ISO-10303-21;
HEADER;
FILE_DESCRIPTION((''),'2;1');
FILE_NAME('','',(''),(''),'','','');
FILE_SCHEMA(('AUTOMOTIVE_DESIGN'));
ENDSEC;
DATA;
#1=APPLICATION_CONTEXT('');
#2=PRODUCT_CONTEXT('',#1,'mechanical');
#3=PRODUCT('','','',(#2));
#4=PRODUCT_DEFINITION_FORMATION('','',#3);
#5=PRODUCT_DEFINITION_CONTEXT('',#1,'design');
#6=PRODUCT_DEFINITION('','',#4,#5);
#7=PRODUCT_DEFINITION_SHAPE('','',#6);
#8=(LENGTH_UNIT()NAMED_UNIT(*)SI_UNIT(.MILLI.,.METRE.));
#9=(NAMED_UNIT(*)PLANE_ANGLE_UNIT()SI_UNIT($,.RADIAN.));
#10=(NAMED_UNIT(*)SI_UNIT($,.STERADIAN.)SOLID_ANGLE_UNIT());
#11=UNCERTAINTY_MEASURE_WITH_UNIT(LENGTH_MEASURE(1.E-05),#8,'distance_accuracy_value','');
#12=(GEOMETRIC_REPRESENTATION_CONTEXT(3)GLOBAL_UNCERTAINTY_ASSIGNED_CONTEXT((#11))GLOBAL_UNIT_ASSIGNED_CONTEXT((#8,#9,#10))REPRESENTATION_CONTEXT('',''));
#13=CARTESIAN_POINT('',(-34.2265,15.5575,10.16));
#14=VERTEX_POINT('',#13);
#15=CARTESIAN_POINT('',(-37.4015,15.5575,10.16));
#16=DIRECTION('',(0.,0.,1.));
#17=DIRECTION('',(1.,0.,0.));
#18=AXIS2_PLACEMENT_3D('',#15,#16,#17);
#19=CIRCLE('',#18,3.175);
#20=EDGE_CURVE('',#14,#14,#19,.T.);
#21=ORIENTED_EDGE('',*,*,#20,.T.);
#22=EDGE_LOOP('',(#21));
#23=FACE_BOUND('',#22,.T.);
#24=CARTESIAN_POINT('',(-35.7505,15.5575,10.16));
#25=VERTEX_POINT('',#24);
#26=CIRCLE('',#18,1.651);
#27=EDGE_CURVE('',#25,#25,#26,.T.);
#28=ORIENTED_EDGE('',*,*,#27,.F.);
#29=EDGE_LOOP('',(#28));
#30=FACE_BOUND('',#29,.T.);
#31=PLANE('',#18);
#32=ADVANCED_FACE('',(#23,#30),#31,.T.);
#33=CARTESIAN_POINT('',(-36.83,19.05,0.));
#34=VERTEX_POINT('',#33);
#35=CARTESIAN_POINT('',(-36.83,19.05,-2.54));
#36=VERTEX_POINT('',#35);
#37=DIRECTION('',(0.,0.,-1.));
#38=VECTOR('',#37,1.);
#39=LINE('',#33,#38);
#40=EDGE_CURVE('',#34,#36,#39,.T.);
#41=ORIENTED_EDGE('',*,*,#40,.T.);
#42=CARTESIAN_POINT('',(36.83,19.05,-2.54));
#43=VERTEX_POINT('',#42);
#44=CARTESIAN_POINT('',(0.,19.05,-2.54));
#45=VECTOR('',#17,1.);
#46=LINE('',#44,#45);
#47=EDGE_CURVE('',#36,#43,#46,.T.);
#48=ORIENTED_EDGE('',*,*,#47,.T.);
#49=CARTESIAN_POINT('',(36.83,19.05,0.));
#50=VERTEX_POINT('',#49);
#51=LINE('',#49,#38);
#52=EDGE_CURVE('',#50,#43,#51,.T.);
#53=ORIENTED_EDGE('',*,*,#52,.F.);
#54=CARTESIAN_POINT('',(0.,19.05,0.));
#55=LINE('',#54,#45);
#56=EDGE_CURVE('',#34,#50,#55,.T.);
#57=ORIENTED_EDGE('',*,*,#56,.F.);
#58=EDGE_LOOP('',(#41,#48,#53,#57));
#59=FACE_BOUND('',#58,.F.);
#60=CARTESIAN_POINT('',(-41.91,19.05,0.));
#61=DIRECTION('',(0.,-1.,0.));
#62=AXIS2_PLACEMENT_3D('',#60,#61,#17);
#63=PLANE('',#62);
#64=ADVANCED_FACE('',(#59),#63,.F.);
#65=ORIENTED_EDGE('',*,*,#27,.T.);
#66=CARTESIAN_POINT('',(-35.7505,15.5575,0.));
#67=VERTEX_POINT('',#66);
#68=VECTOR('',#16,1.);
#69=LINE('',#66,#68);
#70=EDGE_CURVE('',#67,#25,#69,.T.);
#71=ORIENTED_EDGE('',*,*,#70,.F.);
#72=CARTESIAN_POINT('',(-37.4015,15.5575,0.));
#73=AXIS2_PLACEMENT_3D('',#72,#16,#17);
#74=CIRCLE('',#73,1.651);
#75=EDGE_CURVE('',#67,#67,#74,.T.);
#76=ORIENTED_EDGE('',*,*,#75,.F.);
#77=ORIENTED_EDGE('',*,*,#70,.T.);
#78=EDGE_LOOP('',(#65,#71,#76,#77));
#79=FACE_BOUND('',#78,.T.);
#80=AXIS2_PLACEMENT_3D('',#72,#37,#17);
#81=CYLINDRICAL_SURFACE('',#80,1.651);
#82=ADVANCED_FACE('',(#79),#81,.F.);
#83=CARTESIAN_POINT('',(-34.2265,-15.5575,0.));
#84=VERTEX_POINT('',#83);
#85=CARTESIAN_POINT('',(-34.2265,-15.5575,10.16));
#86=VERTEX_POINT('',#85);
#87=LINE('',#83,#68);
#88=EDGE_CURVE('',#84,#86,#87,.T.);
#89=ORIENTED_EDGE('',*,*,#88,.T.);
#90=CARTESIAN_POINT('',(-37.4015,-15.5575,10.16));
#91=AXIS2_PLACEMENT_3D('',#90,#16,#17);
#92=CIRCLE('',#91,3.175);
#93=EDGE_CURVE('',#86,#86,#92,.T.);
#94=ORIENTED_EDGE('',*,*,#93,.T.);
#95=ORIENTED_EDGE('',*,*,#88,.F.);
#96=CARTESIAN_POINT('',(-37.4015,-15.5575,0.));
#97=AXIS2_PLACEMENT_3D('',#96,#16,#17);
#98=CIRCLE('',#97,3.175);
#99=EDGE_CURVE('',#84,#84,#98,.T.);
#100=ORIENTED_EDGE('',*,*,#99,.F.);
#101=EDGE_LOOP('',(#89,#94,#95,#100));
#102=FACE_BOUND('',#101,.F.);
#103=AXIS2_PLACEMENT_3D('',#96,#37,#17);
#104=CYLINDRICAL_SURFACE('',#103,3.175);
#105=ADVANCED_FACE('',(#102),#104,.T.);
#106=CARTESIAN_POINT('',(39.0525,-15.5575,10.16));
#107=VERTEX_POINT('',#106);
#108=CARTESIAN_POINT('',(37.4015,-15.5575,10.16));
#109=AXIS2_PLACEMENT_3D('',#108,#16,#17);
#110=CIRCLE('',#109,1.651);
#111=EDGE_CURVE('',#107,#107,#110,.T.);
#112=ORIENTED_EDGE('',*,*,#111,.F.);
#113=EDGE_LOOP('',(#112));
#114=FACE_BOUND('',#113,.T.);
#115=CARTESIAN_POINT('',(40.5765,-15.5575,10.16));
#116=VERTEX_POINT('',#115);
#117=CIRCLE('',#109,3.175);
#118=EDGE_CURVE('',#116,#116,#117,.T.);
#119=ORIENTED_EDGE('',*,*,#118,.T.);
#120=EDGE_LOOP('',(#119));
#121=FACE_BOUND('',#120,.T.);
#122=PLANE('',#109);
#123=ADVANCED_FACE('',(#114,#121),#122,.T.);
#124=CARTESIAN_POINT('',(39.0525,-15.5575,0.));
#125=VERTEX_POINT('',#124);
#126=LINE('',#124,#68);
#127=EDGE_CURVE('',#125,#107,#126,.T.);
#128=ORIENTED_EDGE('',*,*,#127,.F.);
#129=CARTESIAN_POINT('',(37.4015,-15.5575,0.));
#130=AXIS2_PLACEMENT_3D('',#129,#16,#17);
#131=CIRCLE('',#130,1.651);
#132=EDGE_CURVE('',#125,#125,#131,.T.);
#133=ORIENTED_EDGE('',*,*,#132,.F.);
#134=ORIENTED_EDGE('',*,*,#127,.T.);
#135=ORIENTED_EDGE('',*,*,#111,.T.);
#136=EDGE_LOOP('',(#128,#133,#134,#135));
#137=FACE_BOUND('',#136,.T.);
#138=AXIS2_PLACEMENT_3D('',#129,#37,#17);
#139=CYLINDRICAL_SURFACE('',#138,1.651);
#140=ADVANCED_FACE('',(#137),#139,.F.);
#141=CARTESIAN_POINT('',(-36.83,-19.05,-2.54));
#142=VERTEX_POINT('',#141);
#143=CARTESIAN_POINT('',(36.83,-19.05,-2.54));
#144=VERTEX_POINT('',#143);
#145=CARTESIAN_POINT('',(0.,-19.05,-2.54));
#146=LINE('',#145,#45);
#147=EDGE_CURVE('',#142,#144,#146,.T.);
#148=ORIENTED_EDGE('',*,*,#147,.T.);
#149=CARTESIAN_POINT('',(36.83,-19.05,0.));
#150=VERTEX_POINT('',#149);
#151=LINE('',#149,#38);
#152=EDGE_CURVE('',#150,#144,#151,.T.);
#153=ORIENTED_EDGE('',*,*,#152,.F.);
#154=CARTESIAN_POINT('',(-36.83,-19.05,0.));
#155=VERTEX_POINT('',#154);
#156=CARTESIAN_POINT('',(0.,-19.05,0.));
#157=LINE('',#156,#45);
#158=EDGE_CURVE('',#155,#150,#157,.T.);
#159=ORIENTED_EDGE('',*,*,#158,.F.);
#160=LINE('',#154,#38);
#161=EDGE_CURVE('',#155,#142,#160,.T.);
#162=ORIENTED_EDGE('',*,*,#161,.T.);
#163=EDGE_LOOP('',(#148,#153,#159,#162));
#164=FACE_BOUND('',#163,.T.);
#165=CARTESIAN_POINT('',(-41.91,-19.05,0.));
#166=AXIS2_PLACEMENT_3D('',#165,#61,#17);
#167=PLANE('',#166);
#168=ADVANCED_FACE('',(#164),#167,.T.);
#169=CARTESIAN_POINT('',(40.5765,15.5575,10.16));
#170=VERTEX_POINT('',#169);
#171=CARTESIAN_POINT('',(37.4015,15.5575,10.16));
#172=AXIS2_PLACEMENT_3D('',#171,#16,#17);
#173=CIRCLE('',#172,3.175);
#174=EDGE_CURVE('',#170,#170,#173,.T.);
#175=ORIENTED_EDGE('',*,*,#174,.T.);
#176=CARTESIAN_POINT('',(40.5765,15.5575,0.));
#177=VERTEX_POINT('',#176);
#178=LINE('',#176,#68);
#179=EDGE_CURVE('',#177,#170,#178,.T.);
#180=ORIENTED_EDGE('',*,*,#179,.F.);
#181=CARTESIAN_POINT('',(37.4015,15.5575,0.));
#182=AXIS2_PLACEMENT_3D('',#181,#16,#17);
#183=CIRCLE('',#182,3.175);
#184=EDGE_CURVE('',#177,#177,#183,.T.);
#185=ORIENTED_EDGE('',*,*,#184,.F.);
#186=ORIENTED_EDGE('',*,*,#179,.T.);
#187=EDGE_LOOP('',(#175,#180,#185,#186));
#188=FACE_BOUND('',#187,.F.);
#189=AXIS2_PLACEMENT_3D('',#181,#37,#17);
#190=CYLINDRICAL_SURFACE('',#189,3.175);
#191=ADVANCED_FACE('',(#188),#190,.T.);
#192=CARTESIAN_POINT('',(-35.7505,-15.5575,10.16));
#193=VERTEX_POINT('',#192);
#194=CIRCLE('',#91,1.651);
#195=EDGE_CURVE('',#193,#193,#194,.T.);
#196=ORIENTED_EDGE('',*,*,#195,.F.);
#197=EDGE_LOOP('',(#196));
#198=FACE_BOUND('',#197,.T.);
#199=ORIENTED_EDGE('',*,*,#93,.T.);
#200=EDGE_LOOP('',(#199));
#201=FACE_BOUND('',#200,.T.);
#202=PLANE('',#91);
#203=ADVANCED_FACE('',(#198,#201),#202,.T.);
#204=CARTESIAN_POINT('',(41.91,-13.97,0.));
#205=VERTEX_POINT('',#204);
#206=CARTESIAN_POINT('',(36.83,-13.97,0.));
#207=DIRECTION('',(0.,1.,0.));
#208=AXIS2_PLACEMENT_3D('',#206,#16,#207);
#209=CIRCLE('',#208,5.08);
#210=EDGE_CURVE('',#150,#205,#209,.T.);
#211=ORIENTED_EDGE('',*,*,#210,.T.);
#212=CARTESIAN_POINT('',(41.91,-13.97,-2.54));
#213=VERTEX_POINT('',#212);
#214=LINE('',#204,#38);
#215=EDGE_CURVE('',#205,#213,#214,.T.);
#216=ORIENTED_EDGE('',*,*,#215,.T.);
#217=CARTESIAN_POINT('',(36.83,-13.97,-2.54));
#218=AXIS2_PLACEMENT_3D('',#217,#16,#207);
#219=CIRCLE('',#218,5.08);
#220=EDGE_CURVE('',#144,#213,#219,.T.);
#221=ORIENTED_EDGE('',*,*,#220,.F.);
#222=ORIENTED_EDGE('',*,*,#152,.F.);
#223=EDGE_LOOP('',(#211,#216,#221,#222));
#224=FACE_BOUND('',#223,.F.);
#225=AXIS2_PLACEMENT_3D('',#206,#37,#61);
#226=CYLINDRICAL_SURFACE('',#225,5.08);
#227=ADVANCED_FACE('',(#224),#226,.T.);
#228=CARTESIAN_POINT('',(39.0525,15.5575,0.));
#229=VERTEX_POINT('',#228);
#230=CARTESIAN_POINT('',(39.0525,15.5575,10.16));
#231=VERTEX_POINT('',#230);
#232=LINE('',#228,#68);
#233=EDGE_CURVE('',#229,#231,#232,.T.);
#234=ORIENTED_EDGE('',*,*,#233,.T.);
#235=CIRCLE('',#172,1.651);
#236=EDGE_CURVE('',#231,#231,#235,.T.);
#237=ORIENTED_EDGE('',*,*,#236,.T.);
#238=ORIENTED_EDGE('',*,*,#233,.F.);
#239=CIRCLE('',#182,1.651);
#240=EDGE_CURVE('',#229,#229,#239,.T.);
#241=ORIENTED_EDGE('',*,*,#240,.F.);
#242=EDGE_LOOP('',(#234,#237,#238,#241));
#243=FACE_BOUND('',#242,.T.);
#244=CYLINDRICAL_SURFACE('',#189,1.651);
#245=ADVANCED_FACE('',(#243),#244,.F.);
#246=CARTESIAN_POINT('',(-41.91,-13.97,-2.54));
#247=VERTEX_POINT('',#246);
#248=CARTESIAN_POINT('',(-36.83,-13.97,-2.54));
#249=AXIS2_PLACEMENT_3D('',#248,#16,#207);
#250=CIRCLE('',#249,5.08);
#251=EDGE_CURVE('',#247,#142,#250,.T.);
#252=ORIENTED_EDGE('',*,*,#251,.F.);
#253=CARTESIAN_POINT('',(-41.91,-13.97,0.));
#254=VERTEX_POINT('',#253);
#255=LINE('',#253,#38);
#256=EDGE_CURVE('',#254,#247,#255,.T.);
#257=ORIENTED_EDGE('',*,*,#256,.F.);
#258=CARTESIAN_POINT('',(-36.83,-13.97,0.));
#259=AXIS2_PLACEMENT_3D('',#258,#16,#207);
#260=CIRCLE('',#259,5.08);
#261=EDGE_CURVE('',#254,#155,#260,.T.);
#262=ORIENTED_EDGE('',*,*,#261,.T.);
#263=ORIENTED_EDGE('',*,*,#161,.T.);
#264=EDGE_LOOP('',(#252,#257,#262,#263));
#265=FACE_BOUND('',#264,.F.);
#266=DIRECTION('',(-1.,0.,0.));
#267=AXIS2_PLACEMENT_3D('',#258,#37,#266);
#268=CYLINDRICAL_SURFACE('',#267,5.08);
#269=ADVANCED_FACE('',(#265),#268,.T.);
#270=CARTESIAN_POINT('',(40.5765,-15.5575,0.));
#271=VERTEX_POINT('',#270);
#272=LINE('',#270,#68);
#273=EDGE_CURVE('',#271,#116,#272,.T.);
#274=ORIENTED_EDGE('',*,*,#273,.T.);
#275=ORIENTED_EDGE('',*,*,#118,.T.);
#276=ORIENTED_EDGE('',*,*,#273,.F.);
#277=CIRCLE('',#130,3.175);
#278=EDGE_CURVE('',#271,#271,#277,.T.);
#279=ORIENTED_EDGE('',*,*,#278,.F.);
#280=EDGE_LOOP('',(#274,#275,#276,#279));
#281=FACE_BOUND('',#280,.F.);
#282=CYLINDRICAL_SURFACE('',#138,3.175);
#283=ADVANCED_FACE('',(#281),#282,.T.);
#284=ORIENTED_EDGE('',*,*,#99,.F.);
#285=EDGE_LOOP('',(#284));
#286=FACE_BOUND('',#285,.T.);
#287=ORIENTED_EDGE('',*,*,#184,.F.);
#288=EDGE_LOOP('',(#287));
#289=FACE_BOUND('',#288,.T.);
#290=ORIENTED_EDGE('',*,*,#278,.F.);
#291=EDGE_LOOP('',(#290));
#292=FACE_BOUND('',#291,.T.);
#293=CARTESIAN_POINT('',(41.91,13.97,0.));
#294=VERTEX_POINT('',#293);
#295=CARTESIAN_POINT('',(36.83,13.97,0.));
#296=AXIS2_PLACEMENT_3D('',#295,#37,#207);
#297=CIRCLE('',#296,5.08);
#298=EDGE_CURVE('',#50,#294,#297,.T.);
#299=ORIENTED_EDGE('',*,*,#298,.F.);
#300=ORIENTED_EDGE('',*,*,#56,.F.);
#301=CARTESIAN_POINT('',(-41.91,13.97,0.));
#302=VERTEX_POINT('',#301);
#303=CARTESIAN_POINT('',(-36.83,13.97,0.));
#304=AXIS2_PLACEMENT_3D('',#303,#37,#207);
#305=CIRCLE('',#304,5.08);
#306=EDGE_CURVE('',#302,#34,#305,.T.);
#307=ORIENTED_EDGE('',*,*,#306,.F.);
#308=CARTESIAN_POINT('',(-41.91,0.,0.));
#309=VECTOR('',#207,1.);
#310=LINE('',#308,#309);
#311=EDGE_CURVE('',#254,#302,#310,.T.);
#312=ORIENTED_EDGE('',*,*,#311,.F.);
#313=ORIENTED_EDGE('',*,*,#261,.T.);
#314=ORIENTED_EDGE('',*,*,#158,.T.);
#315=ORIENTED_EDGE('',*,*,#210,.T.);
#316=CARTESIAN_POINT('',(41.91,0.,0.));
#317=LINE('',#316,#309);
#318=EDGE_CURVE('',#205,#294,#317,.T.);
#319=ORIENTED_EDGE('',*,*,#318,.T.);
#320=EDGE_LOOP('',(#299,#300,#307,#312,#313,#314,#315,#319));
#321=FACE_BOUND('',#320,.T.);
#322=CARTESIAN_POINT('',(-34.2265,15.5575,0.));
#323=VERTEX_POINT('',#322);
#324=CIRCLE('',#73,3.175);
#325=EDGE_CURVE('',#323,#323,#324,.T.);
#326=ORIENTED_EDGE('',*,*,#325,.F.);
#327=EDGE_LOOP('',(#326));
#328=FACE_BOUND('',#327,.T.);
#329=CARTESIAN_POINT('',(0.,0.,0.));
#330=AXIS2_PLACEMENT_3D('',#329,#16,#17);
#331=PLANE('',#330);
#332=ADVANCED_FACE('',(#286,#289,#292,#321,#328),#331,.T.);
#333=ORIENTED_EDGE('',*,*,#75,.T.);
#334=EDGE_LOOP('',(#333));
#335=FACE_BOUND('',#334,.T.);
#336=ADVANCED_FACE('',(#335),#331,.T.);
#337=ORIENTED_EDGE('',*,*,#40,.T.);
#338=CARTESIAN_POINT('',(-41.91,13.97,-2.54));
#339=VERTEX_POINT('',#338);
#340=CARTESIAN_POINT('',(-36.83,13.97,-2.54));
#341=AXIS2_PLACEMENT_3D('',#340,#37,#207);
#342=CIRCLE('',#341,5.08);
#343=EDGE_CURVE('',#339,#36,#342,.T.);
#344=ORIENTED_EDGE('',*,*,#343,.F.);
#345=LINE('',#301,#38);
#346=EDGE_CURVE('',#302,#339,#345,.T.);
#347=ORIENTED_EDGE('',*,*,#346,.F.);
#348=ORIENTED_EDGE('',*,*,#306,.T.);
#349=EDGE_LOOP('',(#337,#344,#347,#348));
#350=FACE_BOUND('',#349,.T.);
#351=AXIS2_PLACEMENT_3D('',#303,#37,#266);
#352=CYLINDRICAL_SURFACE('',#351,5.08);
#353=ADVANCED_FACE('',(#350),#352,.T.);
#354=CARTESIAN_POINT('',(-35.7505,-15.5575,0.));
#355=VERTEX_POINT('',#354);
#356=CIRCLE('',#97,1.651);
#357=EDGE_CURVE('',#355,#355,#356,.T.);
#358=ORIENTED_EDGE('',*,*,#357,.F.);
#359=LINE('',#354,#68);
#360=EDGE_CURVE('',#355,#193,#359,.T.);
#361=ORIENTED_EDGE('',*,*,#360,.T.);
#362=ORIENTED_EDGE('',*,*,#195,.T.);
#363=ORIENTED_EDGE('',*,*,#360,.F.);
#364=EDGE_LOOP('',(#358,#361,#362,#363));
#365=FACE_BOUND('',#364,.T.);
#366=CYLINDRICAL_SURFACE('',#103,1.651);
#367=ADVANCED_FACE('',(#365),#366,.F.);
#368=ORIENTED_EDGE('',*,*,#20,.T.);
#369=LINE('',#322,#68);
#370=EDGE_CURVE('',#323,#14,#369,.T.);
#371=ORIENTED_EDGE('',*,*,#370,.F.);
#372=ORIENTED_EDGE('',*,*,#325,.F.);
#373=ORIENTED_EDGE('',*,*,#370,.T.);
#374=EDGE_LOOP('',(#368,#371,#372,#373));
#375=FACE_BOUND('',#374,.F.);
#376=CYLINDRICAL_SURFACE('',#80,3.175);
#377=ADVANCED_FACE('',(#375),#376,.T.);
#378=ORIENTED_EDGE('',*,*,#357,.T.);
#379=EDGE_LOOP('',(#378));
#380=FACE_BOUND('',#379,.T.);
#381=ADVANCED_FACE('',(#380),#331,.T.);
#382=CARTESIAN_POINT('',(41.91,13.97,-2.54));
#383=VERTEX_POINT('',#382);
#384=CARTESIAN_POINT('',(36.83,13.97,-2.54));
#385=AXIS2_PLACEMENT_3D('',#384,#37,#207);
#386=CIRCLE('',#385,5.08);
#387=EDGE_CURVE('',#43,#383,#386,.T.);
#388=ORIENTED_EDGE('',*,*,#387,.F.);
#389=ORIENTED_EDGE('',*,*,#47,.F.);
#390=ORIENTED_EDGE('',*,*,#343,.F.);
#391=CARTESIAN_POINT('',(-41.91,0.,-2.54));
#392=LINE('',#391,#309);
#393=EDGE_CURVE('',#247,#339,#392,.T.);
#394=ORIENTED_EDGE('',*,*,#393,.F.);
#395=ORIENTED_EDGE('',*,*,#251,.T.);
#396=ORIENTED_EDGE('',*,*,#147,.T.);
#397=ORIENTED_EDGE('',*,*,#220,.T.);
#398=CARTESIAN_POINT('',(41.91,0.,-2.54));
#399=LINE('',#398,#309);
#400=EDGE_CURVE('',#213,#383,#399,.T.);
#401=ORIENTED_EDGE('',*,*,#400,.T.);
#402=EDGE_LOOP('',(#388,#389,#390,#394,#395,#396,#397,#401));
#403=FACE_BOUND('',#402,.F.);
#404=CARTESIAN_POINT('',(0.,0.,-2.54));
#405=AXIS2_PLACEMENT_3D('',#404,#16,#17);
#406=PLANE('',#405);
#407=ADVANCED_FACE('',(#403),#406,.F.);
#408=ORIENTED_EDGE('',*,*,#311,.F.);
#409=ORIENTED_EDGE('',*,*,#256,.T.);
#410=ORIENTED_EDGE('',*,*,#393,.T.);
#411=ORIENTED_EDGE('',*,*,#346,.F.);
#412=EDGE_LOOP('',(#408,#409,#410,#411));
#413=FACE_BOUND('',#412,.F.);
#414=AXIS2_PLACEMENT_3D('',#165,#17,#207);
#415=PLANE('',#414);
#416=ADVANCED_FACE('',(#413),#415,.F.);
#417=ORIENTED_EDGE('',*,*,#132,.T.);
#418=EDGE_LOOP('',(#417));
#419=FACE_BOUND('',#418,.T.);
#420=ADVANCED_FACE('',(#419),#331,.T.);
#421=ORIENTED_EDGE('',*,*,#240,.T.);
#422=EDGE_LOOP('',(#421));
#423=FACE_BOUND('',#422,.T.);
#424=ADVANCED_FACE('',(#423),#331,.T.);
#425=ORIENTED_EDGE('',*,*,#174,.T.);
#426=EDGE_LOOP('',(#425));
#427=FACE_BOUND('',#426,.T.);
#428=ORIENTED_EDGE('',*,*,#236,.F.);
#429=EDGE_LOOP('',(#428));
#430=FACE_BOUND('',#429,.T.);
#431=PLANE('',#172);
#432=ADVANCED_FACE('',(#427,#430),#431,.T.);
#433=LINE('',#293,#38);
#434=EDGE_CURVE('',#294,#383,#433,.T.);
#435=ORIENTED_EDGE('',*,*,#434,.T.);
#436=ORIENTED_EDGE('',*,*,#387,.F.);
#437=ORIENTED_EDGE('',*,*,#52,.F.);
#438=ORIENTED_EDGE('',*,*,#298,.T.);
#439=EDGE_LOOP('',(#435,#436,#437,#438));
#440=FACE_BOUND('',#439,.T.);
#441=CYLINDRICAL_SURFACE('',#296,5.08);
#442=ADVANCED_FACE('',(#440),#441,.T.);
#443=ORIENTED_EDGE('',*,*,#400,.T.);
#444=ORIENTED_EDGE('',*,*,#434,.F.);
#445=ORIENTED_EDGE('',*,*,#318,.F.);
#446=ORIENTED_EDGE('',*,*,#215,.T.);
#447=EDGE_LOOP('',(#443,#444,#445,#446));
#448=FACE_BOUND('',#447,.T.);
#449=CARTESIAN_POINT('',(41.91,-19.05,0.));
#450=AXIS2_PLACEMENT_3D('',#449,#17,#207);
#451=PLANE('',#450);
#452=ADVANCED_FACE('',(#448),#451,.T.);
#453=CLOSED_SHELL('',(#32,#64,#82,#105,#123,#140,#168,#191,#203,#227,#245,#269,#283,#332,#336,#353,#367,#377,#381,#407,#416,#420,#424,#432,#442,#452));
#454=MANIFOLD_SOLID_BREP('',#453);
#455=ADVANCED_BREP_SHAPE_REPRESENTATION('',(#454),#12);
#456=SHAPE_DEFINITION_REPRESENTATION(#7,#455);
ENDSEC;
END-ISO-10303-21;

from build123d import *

# Parameters (mm, degrees)
F1_W     = 83.82
F1_H     = 38.1
F1_R     = 3.175
F1_R_2   = 1.651
F2_DEPTH = 2.54
F3_DEPTH = 10.16
F4_R     = 5.08


with BuildPart() as f2:
    # F1 (on Top) → F2 (new body)
    with BuildSketch(Plane.XY):
        Rectangle(F1_W, F1_H)
        with Locations((-37.4015, -15.5575)):
            Circle(F1_R, mode=Mode.SUBTRACT)
        with Locations((37.4015, -15.5575)):
            Circle(F1_R, mode=Mode.SUBTRACT)
        with Locations((-37.4015, 15.5575)):
            Circle(F1_R, mode=Mode.SUBTRACT)
        with Locations((37.4015, 15.5575)):
            Circle(F1_R, mode=Mode.SUBTRACT)
        with Locations((-37.4015, 15.5575)):
            Circle(F1_R)
        with Locations((-37.4015, 15.5575)):
            Circle(F1_R_2, mode=Mode.SUBTRACT)
        with Locations((37.4015, -15.5575)):
            Circle(F1_R)
        with Locations((37.4015, -15.5575)):
            Circle(F1_R_2, mode=Mode.SUBTRACT)
        with Locations((37.4015, 15.5575)):
            Circle(F1_R)
        with Locations((37.4015, 15.5575)):
            Circle(F1_R_2, mode=Mode.SUBTRACT)
        with Locations((-37.4015, -15.5575)):
            Circle(F1_R)
        with Locations((-37.4015, -15.5575)):
            Circle(F1_R_2, mode=Mode.SUBTRACT)
        with Locations((37.4015, 15.5575)):
            Circle(F1_R_2)
        with Locations((-37.4015, 15.5575)):
            Circle(F1_R_2)
        with Locations((-37.4015, -15.5575)):
            Circle(F1_R_2)
        with Locations((37.4015, -15.5575)):
            Circle(F1_R_2)
    extrude(amount=-F2_DEPTH)

    # F1 (on Top) → F3 (join)
    with BuildSketch(Plane.XY):
        with Locations((-37.4015, -15.5575)):
            Circle(F1_R)
        with Locations((-37.4015, -15.5575)):
            Circle(F1_R_2, mode=Mode.SUBTRACT)
        with Locations((-37.4015, 15.5575)):
            Circle(F1_R)
        with Locations((-37.4015, 15.5575)):
            Circle(F1_R_2, mode=Mode.SUBTRACT)
        with Locations((37.4015, -15.5575)):
            Circle(F1_R)
        with Locations((37.4015, -15.5575)):
            Circle(F1_R_2, mode=Mode.SUBTRACT)
        with Locations((37.4015, 15.5575)):
            Circle(F1_R)
        with Locations((37.4015, 15.5575)):
            Circle(F1_R_2, mode=Mode.SUBTRACT)
    extrude(amount=F3_DEPTH)

    # F4
    f4_edges = [f2.edges().sort_by_distance(p)[0] for p in [
        (-41.91, -19.05, -1.27),
        (41.91, -19.05, -1.27),
        (41.91, 19.05, -1.27),
        (-41.91, 19.05, -1.27),
    ]]
    fillet(f4_edges, radius=F4_R)


solid = f2.part
